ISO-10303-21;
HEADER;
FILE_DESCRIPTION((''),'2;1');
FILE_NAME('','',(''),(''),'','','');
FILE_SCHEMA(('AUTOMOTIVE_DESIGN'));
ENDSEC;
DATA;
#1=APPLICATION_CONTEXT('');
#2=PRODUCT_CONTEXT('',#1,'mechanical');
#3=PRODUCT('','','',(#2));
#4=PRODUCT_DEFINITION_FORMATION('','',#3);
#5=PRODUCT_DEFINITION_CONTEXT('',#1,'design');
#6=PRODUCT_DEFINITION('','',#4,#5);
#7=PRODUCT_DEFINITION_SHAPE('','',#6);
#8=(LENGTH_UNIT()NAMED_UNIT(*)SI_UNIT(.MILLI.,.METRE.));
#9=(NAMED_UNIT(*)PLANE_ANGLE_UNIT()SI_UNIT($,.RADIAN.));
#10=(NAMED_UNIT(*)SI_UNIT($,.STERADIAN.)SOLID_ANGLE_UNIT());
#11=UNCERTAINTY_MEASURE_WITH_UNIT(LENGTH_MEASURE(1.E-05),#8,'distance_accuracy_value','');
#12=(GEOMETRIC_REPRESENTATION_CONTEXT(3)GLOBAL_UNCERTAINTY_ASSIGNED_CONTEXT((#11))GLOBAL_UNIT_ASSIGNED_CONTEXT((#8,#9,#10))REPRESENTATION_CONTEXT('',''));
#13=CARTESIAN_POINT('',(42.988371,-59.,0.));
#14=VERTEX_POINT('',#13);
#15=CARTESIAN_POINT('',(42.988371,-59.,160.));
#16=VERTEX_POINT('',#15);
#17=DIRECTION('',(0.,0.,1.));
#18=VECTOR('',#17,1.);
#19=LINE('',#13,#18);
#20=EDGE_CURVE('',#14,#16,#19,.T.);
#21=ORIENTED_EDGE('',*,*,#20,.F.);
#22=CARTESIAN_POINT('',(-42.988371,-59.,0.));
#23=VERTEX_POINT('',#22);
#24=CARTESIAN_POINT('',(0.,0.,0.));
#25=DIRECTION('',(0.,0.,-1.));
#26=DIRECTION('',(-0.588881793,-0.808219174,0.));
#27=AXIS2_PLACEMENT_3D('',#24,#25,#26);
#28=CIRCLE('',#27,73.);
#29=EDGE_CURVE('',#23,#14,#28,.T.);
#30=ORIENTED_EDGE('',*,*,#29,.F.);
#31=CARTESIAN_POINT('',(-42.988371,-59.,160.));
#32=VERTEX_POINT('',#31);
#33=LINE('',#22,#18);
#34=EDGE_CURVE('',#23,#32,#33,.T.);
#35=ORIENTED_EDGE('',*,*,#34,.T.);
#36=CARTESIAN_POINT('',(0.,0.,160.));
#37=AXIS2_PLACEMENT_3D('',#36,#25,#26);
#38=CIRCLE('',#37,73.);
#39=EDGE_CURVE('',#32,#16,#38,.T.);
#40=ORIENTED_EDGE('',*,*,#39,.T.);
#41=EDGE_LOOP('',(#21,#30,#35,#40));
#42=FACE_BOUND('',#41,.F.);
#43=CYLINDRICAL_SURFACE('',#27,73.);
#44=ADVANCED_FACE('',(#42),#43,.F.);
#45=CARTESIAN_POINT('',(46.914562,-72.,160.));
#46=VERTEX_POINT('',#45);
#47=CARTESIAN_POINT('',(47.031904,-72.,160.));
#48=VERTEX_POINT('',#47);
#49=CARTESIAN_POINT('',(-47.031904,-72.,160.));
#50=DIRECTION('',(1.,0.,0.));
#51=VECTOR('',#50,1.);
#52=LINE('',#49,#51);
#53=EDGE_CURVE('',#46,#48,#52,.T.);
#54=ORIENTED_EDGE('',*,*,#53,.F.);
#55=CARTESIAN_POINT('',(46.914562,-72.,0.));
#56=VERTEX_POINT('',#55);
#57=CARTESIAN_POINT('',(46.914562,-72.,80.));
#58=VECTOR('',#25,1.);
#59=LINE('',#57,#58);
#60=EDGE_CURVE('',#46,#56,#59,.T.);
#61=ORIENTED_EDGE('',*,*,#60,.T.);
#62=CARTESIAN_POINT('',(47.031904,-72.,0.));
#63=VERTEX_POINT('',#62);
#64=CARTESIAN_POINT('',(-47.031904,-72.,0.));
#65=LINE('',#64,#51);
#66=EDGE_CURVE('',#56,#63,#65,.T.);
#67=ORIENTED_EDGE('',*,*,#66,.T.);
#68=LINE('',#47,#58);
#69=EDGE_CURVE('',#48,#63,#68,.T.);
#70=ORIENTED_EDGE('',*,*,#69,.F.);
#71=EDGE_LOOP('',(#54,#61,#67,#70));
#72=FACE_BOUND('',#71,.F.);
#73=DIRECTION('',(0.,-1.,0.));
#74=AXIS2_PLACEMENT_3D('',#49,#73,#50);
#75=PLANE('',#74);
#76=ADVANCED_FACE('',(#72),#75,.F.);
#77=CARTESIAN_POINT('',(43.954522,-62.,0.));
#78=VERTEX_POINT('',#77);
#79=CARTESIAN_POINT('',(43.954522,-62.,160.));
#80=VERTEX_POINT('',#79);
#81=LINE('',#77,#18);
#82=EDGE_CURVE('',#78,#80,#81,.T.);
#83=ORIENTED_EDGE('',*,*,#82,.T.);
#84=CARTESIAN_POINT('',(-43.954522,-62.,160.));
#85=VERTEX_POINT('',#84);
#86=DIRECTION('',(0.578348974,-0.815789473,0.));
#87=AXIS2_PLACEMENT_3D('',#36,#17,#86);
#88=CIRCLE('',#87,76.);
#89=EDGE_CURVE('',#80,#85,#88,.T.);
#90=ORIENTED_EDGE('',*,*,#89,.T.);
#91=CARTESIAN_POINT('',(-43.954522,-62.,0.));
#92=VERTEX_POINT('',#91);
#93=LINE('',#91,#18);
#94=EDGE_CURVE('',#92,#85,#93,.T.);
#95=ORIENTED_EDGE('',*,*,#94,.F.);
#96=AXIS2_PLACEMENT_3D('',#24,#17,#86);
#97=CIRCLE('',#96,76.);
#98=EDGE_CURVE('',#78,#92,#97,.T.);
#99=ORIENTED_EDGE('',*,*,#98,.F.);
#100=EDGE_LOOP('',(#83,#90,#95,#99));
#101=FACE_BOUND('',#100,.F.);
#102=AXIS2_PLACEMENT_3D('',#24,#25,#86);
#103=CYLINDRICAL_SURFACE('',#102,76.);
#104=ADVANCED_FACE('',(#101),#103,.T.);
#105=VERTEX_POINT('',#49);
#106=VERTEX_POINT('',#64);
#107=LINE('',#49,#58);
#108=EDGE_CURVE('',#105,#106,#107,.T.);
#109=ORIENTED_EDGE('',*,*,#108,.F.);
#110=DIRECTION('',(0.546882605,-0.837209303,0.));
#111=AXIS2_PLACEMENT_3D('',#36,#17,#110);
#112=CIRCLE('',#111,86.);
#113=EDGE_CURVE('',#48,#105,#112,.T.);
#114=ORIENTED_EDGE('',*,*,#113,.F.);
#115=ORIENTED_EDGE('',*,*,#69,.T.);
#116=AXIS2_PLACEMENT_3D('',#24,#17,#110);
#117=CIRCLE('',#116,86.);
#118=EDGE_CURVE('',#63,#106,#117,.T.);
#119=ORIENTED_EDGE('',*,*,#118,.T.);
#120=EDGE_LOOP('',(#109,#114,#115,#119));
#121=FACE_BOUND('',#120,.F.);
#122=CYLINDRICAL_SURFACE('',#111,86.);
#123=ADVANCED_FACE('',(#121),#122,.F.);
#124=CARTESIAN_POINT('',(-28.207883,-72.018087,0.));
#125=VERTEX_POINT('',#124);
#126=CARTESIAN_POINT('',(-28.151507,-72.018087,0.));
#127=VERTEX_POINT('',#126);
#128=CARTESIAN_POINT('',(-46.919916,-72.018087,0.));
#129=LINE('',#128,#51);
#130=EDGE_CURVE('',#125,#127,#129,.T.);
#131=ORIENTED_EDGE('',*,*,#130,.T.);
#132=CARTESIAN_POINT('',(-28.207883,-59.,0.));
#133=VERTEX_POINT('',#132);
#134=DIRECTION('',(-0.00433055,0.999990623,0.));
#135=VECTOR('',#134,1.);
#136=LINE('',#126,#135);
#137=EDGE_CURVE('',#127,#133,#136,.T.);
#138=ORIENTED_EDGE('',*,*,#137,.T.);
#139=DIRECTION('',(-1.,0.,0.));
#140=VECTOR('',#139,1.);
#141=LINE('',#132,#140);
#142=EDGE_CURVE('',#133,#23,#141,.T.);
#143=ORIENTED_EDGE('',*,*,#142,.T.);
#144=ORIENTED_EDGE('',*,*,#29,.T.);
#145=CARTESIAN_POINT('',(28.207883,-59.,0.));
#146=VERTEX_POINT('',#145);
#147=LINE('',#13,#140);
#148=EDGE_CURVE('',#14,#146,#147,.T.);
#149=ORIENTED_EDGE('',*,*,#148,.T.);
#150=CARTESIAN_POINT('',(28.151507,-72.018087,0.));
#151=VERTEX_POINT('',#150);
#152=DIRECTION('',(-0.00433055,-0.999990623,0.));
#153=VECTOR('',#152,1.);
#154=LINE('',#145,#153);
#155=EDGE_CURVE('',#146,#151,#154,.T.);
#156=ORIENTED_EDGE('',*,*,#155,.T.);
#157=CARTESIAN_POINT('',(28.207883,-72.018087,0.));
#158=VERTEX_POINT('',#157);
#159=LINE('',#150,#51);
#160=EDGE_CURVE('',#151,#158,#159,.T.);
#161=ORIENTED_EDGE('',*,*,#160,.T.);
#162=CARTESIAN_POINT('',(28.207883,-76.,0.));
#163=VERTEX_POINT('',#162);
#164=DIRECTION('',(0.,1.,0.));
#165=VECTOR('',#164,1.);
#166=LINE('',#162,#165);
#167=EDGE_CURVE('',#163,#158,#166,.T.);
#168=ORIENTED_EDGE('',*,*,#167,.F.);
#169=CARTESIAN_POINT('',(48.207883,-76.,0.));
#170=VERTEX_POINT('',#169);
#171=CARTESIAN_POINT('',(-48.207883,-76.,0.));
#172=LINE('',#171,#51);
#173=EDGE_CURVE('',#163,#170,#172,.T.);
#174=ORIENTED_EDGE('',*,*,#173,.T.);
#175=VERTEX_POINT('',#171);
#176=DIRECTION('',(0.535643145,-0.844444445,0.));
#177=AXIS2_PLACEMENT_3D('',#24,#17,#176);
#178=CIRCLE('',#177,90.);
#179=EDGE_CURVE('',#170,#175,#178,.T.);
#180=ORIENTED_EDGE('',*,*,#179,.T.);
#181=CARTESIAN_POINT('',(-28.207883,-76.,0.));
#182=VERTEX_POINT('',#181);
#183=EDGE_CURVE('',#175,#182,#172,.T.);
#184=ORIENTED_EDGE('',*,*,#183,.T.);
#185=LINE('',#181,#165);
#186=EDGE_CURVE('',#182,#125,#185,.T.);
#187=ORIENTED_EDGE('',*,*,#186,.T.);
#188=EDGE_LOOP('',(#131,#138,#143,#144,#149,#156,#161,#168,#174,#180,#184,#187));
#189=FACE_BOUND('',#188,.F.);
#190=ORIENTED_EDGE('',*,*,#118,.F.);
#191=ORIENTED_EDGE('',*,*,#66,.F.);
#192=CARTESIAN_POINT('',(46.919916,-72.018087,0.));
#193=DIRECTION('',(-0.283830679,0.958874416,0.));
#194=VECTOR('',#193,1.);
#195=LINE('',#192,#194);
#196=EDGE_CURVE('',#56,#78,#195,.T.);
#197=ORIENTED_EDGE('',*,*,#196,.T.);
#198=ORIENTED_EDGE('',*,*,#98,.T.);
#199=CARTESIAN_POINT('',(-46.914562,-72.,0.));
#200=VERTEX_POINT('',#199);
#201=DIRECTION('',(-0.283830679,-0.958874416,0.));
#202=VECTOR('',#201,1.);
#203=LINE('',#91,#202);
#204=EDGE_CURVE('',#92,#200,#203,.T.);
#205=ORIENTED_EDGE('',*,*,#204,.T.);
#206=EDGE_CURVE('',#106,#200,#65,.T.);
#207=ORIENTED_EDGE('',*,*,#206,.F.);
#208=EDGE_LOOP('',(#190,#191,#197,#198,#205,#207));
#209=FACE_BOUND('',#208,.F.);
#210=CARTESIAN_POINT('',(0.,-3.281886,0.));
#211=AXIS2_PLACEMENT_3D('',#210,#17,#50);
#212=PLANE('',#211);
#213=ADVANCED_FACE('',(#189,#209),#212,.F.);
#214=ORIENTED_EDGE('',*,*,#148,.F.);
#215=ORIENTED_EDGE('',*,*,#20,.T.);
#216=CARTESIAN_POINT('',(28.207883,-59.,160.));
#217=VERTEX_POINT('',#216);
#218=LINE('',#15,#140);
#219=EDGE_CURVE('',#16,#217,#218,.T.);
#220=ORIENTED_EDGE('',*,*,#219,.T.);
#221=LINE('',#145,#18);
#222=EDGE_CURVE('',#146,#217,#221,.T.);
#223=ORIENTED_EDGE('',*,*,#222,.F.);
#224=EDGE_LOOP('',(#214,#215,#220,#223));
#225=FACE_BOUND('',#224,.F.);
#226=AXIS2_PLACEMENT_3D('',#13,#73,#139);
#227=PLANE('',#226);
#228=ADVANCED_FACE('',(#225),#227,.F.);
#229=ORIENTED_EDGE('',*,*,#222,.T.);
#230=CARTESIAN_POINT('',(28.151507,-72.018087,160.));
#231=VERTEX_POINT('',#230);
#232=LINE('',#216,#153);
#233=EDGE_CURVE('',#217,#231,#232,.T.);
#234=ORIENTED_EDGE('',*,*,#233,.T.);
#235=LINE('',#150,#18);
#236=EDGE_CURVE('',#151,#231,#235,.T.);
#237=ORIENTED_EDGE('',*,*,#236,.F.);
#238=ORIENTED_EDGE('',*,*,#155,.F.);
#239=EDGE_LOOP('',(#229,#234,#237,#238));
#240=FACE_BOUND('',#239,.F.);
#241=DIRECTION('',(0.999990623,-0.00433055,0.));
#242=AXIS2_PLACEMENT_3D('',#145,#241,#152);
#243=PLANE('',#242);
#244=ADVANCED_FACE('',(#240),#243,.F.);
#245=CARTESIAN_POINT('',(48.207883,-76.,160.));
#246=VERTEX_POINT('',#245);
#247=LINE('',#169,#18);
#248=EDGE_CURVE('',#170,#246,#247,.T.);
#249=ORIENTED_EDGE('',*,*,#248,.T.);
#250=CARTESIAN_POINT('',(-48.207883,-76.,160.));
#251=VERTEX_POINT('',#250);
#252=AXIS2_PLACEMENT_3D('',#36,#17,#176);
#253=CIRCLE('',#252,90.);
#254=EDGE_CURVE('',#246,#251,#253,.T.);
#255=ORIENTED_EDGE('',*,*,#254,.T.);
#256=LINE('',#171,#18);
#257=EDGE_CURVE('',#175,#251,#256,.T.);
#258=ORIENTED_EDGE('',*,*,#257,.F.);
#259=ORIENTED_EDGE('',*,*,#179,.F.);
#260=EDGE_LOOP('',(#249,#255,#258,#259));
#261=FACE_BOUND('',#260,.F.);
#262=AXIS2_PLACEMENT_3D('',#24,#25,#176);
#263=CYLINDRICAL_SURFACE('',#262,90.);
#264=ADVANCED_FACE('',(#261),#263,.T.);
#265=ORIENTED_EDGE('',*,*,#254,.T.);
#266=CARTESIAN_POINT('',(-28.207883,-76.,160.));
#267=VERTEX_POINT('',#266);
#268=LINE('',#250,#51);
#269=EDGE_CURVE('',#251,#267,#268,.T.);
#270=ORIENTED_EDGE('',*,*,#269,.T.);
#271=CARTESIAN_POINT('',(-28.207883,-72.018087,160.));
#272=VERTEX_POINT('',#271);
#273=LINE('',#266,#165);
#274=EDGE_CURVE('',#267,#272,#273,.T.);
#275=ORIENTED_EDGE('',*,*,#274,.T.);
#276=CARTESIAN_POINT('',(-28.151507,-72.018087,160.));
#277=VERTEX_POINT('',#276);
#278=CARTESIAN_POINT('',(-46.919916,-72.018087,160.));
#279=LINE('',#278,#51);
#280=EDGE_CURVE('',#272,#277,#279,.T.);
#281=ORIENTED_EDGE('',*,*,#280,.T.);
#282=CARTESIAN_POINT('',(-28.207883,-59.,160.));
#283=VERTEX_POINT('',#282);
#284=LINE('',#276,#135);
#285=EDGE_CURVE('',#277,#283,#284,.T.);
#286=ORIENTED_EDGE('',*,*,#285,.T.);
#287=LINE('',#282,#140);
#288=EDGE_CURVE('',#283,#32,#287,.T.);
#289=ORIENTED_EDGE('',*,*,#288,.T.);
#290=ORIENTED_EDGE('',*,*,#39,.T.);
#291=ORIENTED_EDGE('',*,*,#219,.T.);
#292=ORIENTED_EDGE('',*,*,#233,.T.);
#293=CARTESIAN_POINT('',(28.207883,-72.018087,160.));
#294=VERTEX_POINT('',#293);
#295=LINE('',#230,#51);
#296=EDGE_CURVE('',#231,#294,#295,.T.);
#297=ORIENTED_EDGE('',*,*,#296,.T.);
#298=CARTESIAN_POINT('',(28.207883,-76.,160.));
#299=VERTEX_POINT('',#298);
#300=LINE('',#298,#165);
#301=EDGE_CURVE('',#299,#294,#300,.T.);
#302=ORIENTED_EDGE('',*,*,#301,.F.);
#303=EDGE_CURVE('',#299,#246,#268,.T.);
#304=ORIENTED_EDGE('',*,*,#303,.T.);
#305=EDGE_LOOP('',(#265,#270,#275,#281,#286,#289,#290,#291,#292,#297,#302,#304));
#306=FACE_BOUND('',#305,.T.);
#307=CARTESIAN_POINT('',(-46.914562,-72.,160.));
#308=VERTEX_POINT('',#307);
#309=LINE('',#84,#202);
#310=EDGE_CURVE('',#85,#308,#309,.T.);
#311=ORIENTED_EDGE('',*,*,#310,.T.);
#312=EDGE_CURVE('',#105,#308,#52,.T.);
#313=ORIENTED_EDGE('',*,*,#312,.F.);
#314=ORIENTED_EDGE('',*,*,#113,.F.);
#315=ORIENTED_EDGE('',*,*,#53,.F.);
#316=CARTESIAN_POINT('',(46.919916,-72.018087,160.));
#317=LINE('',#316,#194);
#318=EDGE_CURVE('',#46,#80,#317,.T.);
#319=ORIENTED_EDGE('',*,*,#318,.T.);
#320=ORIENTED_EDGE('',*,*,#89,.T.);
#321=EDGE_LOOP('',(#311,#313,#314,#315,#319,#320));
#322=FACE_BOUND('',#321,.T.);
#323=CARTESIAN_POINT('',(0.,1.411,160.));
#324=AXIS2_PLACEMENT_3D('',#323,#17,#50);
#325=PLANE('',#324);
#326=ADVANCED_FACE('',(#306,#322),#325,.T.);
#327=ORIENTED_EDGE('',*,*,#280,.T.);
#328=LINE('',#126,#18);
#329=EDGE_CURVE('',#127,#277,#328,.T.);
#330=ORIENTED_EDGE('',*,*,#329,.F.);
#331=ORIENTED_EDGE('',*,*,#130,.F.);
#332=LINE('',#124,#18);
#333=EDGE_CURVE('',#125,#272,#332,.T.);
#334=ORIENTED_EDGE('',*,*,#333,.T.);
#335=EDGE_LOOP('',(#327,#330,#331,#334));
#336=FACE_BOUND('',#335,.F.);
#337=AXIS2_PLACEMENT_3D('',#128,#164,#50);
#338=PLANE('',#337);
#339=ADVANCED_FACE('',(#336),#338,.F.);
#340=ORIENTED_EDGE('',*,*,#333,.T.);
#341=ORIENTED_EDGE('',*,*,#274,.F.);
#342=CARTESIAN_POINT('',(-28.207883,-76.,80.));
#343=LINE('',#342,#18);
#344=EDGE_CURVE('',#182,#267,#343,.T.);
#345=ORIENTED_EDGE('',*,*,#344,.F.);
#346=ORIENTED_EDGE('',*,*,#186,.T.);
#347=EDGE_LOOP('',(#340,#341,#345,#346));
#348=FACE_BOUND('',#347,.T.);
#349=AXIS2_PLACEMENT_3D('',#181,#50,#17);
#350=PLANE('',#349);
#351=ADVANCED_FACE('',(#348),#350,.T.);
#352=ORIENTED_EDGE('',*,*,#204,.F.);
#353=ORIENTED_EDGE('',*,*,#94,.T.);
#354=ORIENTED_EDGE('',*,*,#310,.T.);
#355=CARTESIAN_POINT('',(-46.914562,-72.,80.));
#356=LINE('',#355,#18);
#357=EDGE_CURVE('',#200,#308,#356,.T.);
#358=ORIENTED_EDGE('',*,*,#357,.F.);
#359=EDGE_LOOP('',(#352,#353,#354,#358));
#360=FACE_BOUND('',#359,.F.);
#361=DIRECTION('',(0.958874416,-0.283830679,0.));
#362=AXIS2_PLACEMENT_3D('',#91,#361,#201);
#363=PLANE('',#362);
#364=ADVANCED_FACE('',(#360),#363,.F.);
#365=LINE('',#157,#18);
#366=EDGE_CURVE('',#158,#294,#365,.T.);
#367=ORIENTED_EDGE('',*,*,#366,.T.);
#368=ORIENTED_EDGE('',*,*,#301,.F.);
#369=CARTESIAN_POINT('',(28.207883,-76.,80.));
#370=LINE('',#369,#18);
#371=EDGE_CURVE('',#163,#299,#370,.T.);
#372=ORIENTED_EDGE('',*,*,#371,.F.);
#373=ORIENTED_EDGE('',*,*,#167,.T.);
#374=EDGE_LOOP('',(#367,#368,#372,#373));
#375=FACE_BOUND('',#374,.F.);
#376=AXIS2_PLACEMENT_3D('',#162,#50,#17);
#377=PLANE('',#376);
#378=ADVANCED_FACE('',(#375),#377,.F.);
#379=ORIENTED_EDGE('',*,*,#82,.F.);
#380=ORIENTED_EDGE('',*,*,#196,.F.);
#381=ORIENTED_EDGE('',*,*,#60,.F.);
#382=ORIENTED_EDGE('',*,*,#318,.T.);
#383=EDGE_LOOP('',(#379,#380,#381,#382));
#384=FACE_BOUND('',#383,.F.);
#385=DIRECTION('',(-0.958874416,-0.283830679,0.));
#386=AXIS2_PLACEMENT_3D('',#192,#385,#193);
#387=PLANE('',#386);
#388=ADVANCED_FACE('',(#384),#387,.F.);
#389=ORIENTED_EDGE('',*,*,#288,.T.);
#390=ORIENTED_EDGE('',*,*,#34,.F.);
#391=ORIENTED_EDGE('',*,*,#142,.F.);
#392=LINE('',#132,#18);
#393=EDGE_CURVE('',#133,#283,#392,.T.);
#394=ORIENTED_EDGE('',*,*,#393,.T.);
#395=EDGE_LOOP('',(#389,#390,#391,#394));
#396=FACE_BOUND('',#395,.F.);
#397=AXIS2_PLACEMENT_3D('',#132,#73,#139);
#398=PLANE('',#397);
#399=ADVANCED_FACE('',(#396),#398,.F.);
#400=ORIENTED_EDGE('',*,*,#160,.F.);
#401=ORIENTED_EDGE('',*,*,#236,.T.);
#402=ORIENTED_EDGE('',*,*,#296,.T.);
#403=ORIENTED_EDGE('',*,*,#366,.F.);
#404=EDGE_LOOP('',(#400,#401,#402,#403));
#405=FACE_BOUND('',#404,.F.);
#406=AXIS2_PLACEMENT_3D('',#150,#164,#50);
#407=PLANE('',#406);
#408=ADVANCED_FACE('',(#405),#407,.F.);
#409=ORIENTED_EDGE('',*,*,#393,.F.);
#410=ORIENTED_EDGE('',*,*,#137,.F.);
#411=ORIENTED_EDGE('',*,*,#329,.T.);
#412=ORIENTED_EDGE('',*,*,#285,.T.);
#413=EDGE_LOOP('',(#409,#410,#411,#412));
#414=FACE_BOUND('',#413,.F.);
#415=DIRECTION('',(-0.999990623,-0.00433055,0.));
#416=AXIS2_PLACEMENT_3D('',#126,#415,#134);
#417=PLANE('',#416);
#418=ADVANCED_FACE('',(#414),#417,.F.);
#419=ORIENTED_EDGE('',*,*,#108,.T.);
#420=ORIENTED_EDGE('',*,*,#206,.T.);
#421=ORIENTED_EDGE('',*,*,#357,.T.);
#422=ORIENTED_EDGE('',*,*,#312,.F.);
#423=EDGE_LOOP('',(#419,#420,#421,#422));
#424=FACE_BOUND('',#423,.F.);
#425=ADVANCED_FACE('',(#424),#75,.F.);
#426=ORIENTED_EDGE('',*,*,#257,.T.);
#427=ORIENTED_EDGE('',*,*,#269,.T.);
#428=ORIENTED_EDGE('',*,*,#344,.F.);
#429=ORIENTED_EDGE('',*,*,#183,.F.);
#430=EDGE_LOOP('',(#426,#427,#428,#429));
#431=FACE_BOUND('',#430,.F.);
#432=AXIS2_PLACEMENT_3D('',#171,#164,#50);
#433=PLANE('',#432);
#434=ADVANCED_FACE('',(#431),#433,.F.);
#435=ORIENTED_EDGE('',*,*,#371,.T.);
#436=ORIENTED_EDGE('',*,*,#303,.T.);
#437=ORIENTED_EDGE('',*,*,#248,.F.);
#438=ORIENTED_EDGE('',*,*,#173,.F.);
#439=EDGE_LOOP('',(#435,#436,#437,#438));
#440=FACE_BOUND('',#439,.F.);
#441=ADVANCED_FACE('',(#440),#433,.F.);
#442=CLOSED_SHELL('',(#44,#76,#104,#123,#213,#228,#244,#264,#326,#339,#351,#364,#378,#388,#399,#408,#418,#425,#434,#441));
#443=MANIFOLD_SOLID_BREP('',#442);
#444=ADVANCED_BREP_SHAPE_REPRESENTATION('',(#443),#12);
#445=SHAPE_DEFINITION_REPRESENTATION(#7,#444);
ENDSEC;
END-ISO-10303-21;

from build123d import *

# Parameters (mm, degrees)
F1_DEPTH = 160
F3_DEPTH = 160
F4_W     = 56.415766
F4_H     = 160
F5_DEPTH = 4
F7_DEPTH = 160


with BuildPart() as f1:
    # F0 (on Top) → F1 (new body)
    with BuildSketch(Plane.XY):
        with BuildLine():
            Line((-48.207883, -76), (48.207883, -76))
            ThreePointArc((48.207883, -76), (0, 90), (-48.207883, -76))
        make_face()
    extrude(amount=F1_DEPTH)

    # F2 (on face) → F3 (cut, through all)
    with BuildSketch(Plane.XY.offset(160)):
        with BuildLine():
            Line((-47.031904, -72), (47.031904, -72))
            ThreePointArc((47.031904, -72), (0, 86), (-47.031904, -72))
        make_face()
    extrude(amount=-F3_DEPTH, mode=Mode.SUBTRACT)

    # F4 (on face) → F5 (cut, through all)
    with BuildSketch(Plane.XZ.offset(76)):
        with Locations((0, 80)):
            Rectangle(F4_W, F4_H)
    extrude(amount=-F5_DEPTH, mode=Mode.SUBTRACT)

    # F6 (on Top) → F7 (join)
    with BuildSketch(Plane.XY):
        with BuildLine():
            Line((46.919916, -72.018087), (43.954522, -62))
            ThreePointArc((43.954522, -62), (0, 76), (-43.954522, -62))
            Line((-43.954522, -62), (-46.919916, -72.018087))
            Line((-46.919916, -72.018087), (-28.151507, -72.018087))
            Line((-28.151507, -72.018087), (-28.207883, -59))
            Line((-28.207883, -59), (-42.988371, -59))
            ThreePointArc((-42.988371, -59), (0, 73), (42.988371, -59))
            Line((42.988371, -59), (28.207883, -59))
            Line((28.207883, -59), (28.151507, -72.018087))
            Line((28.151507, -72.018087), (46.919916, -72.018087))
        make_face()
    extrude(amount=F7_DEPTH)


solid = f1.part
